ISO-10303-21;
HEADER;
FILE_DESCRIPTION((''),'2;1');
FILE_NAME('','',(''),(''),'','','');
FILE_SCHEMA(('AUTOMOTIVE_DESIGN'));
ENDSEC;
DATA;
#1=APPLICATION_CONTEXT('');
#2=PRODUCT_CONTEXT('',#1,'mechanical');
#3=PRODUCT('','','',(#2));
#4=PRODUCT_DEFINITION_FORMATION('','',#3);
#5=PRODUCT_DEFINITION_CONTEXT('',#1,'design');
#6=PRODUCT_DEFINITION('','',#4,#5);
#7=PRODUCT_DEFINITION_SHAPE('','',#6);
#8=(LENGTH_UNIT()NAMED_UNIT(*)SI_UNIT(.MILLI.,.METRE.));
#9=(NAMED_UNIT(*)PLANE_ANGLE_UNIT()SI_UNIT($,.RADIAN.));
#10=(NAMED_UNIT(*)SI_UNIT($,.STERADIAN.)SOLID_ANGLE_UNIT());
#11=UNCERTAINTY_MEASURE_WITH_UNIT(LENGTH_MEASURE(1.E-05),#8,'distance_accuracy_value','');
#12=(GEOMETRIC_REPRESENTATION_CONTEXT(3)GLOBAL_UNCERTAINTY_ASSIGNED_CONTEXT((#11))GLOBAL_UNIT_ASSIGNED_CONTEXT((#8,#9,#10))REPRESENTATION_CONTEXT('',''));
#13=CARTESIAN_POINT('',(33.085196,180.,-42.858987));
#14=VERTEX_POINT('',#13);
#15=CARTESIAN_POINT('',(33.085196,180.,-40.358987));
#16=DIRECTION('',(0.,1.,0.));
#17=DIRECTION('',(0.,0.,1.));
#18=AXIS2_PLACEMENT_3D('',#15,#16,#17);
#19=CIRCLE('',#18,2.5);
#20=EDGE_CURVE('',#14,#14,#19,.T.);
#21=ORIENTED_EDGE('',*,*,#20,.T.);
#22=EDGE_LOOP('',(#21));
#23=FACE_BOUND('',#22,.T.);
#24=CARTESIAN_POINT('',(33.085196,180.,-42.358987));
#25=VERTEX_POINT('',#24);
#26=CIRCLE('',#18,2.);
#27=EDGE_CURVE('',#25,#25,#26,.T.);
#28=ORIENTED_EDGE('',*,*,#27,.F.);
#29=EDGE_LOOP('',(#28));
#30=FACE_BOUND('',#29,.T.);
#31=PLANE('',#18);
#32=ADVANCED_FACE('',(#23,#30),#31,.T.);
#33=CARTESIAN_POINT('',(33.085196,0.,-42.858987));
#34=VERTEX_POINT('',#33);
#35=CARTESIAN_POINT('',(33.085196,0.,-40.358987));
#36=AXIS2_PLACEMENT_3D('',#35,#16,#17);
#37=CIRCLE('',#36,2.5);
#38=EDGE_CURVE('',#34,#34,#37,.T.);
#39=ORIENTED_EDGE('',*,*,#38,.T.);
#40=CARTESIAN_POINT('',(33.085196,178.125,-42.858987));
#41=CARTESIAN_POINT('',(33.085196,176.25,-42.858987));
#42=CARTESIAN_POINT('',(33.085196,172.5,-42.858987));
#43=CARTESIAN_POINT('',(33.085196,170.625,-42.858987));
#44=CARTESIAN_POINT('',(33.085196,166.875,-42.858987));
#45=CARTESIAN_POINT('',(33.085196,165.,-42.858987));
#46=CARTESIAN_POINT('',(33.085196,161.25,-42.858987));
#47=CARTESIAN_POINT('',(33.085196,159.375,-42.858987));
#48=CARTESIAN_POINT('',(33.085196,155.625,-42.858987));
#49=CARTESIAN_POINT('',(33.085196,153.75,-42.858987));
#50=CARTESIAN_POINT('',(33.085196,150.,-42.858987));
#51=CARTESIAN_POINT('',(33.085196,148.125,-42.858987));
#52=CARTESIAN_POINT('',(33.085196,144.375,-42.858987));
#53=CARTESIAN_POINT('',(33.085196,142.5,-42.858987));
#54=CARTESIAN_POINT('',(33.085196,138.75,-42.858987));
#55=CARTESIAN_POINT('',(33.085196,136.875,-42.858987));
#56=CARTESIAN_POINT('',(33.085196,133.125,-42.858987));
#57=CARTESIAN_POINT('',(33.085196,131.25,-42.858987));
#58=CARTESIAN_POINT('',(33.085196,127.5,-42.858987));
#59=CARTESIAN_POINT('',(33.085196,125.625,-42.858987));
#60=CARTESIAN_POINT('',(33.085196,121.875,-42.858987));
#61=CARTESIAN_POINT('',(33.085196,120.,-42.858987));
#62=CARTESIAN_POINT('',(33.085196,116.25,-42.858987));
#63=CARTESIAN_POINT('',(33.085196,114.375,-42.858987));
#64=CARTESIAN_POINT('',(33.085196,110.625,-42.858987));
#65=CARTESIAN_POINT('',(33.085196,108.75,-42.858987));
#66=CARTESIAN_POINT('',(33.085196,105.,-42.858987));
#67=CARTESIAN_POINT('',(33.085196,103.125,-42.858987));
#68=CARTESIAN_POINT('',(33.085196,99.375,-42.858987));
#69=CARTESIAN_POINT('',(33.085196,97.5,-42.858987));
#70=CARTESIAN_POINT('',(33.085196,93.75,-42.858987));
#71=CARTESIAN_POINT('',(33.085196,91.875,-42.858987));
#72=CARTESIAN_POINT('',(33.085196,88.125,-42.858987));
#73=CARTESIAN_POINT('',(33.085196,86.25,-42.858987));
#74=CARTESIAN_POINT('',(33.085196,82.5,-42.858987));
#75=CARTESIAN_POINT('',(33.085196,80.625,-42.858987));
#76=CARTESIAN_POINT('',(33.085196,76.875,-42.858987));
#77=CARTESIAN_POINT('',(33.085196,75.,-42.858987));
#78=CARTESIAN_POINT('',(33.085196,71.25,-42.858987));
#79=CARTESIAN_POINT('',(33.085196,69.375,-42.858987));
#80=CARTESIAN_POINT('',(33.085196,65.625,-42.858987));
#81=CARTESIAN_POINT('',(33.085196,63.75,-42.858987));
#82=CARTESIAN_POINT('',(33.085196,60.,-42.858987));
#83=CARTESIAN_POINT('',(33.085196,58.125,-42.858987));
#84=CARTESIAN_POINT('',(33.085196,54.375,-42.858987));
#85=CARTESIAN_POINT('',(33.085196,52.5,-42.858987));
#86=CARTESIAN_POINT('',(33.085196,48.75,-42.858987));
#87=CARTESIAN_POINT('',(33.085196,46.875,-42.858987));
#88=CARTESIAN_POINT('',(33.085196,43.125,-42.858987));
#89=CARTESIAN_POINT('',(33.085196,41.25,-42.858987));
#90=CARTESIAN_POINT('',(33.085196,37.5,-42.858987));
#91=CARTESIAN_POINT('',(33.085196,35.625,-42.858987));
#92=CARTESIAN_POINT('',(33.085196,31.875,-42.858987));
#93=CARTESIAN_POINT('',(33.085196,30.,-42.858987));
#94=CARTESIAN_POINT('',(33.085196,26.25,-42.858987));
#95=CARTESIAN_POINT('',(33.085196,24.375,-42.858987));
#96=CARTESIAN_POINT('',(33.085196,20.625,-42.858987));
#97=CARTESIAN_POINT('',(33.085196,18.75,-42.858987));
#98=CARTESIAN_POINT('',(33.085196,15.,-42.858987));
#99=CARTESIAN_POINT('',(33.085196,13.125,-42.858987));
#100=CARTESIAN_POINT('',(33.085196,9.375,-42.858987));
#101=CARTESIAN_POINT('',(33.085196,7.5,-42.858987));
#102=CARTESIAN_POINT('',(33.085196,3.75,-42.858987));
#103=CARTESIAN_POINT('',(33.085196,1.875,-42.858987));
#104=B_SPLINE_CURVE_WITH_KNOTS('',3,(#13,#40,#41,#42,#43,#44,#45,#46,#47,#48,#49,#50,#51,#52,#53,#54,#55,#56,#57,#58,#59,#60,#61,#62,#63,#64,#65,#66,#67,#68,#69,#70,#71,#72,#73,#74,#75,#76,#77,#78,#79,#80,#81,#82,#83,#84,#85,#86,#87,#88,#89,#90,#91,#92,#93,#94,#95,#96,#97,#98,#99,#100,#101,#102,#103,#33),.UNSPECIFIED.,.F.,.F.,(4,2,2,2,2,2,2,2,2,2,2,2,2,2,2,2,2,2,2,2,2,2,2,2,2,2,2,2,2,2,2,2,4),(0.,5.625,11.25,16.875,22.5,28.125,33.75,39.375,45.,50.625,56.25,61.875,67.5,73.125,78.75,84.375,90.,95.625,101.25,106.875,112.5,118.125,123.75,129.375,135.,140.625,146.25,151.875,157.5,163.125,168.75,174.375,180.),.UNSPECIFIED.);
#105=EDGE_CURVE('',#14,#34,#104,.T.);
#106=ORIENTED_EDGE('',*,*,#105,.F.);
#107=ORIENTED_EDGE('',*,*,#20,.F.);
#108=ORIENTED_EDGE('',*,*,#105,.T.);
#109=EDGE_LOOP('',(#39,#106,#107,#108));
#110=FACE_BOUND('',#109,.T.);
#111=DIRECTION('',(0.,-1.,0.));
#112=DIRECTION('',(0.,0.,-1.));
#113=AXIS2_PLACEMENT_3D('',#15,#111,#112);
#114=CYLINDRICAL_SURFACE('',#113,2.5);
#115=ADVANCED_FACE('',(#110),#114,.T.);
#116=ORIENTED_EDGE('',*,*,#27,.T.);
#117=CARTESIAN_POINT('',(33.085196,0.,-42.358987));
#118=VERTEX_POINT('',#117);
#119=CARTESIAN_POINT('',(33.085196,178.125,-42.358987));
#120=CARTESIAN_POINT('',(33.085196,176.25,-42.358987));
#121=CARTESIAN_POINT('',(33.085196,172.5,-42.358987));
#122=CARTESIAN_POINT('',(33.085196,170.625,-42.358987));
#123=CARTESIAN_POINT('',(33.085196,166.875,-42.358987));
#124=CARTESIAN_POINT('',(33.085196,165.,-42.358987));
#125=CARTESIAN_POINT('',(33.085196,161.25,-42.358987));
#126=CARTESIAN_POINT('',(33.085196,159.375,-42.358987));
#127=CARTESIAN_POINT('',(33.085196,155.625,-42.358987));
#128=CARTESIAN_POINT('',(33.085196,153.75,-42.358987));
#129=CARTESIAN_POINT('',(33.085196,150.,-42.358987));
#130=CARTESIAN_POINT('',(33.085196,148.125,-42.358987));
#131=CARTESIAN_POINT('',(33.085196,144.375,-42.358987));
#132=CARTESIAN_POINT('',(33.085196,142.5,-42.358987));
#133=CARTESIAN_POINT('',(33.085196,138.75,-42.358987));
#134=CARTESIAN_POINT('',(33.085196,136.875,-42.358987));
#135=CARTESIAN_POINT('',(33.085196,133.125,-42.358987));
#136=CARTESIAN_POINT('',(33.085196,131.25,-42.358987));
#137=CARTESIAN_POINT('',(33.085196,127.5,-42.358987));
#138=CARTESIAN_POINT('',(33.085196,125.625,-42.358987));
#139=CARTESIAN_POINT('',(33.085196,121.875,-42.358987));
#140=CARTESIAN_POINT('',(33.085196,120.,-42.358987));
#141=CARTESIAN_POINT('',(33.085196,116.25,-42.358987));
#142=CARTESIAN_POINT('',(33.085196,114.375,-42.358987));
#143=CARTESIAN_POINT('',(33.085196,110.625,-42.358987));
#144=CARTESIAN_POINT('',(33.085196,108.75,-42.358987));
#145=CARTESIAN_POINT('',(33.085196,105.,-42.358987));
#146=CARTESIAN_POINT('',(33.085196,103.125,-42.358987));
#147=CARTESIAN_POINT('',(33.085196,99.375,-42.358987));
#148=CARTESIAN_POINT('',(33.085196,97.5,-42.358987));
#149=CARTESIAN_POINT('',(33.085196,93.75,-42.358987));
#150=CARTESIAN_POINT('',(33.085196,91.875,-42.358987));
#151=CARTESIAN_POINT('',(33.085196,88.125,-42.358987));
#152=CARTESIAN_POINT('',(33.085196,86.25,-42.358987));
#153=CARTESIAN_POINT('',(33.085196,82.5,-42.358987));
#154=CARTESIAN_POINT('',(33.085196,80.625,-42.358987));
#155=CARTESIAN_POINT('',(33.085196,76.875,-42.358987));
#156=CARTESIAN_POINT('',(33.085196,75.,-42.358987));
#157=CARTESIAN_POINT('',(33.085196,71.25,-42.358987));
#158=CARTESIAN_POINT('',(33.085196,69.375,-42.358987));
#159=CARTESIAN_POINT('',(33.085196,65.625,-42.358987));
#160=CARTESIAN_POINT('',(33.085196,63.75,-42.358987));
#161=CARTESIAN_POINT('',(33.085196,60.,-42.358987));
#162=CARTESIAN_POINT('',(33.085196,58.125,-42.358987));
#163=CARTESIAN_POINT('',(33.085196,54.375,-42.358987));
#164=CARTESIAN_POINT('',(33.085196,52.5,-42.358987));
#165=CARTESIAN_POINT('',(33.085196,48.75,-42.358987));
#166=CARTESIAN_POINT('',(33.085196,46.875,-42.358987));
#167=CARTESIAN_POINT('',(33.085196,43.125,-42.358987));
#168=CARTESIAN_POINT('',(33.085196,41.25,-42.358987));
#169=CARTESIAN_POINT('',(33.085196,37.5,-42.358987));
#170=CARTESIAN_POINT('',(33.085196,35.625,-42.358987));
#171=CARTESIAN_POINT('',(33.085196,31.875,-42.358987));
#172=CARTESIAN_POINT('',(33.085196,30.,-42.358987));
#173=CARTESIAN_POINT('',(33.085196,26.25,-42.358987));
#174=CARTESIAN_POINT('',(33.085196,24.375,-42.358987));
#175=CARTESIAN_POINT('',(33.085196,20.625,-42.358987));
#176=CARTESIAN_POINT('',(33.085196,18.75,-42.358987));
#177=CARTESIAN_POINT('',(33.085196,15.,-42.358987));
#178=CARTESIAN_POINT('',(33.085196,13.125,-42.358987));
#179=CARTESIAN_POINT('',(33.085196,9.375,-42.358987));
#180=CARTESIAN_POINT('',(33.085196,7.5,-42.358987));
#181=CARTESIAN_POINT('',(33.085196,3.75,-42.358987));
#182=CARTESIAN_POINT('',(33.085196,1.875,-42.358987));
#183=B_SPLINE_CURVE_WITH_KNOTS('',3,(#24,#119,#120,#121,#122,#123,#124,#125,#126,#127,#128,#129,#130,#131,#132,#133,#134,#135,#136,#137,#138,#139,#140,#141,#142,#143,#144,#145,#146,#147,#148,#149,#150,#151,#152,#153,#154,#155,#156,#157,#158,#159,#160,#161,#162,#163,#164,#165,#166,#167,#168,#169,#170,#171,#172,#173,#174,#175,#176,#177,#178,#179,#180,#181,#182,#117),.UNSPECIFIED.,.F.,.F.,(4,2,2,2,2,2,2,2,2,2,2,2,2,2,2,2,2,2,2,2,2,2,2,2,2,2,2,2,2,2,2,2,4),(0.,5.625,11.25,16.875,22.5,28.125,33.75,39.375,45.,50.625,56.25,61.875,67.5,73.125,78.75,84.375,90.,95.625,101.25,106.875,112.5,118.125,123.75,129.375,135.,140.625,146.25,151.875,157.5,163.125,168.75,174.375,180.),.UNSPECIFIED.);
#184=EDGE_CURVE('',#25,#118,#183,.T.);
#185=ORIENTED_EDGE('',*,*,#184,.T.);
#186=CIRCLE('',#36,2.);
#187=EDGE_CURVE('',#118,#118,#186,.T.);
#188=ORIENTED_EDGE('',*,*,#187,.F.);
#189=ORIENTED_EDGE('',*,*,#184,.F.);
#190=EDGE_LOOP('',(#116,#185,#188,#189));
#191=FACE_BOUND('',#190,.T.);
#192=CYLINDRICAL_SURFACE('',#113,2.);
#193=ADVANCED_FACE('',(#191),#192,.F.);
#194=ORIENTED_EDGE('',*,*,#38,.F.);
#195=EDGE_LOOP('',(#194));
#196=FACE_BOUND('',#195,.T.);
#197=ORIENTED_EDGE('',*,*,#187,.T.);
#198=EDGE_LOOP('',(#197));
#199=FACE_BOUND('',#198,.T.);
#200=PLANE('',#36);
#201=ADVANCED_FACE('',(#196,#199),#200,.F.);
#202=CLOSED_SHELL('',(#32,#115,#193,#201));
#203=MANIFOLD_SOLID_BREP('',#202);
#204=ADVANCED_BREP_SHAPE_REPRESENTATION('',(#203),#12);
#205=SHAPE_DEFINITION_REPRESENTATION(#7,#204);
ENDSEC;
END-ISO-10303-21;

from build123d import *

# Parameters (mm, degrees)
ESBO_O1_R                = 2.5
ESBO_O1_R_2              = 2
RESSALTO_EXTRUS_O1_DEPTH = 180


with BuildPart() as part:
    # Esboço1 → Ressalto-extrusão1 (new body)
    with BuildSketch(Plane(origin=(0, 0, 0), x_dir=(1, 0, 0), z_dir=(0, 1, 0))):
        with Locations(Location((33.085195742, 40.358987491, 0), (0, 0, 90))):
            Circle(ESBO_O1_R)
        with Locations(Location((33.085195742, 40.358987491, 0), (0, 0, 90))):
            Circle(ESBO_O1_R_2, mode=Mode.SUBTRACT)
    extrude(amount=RESSALTO_EXTRUS_O1_DEPTH)


solid = part.part
